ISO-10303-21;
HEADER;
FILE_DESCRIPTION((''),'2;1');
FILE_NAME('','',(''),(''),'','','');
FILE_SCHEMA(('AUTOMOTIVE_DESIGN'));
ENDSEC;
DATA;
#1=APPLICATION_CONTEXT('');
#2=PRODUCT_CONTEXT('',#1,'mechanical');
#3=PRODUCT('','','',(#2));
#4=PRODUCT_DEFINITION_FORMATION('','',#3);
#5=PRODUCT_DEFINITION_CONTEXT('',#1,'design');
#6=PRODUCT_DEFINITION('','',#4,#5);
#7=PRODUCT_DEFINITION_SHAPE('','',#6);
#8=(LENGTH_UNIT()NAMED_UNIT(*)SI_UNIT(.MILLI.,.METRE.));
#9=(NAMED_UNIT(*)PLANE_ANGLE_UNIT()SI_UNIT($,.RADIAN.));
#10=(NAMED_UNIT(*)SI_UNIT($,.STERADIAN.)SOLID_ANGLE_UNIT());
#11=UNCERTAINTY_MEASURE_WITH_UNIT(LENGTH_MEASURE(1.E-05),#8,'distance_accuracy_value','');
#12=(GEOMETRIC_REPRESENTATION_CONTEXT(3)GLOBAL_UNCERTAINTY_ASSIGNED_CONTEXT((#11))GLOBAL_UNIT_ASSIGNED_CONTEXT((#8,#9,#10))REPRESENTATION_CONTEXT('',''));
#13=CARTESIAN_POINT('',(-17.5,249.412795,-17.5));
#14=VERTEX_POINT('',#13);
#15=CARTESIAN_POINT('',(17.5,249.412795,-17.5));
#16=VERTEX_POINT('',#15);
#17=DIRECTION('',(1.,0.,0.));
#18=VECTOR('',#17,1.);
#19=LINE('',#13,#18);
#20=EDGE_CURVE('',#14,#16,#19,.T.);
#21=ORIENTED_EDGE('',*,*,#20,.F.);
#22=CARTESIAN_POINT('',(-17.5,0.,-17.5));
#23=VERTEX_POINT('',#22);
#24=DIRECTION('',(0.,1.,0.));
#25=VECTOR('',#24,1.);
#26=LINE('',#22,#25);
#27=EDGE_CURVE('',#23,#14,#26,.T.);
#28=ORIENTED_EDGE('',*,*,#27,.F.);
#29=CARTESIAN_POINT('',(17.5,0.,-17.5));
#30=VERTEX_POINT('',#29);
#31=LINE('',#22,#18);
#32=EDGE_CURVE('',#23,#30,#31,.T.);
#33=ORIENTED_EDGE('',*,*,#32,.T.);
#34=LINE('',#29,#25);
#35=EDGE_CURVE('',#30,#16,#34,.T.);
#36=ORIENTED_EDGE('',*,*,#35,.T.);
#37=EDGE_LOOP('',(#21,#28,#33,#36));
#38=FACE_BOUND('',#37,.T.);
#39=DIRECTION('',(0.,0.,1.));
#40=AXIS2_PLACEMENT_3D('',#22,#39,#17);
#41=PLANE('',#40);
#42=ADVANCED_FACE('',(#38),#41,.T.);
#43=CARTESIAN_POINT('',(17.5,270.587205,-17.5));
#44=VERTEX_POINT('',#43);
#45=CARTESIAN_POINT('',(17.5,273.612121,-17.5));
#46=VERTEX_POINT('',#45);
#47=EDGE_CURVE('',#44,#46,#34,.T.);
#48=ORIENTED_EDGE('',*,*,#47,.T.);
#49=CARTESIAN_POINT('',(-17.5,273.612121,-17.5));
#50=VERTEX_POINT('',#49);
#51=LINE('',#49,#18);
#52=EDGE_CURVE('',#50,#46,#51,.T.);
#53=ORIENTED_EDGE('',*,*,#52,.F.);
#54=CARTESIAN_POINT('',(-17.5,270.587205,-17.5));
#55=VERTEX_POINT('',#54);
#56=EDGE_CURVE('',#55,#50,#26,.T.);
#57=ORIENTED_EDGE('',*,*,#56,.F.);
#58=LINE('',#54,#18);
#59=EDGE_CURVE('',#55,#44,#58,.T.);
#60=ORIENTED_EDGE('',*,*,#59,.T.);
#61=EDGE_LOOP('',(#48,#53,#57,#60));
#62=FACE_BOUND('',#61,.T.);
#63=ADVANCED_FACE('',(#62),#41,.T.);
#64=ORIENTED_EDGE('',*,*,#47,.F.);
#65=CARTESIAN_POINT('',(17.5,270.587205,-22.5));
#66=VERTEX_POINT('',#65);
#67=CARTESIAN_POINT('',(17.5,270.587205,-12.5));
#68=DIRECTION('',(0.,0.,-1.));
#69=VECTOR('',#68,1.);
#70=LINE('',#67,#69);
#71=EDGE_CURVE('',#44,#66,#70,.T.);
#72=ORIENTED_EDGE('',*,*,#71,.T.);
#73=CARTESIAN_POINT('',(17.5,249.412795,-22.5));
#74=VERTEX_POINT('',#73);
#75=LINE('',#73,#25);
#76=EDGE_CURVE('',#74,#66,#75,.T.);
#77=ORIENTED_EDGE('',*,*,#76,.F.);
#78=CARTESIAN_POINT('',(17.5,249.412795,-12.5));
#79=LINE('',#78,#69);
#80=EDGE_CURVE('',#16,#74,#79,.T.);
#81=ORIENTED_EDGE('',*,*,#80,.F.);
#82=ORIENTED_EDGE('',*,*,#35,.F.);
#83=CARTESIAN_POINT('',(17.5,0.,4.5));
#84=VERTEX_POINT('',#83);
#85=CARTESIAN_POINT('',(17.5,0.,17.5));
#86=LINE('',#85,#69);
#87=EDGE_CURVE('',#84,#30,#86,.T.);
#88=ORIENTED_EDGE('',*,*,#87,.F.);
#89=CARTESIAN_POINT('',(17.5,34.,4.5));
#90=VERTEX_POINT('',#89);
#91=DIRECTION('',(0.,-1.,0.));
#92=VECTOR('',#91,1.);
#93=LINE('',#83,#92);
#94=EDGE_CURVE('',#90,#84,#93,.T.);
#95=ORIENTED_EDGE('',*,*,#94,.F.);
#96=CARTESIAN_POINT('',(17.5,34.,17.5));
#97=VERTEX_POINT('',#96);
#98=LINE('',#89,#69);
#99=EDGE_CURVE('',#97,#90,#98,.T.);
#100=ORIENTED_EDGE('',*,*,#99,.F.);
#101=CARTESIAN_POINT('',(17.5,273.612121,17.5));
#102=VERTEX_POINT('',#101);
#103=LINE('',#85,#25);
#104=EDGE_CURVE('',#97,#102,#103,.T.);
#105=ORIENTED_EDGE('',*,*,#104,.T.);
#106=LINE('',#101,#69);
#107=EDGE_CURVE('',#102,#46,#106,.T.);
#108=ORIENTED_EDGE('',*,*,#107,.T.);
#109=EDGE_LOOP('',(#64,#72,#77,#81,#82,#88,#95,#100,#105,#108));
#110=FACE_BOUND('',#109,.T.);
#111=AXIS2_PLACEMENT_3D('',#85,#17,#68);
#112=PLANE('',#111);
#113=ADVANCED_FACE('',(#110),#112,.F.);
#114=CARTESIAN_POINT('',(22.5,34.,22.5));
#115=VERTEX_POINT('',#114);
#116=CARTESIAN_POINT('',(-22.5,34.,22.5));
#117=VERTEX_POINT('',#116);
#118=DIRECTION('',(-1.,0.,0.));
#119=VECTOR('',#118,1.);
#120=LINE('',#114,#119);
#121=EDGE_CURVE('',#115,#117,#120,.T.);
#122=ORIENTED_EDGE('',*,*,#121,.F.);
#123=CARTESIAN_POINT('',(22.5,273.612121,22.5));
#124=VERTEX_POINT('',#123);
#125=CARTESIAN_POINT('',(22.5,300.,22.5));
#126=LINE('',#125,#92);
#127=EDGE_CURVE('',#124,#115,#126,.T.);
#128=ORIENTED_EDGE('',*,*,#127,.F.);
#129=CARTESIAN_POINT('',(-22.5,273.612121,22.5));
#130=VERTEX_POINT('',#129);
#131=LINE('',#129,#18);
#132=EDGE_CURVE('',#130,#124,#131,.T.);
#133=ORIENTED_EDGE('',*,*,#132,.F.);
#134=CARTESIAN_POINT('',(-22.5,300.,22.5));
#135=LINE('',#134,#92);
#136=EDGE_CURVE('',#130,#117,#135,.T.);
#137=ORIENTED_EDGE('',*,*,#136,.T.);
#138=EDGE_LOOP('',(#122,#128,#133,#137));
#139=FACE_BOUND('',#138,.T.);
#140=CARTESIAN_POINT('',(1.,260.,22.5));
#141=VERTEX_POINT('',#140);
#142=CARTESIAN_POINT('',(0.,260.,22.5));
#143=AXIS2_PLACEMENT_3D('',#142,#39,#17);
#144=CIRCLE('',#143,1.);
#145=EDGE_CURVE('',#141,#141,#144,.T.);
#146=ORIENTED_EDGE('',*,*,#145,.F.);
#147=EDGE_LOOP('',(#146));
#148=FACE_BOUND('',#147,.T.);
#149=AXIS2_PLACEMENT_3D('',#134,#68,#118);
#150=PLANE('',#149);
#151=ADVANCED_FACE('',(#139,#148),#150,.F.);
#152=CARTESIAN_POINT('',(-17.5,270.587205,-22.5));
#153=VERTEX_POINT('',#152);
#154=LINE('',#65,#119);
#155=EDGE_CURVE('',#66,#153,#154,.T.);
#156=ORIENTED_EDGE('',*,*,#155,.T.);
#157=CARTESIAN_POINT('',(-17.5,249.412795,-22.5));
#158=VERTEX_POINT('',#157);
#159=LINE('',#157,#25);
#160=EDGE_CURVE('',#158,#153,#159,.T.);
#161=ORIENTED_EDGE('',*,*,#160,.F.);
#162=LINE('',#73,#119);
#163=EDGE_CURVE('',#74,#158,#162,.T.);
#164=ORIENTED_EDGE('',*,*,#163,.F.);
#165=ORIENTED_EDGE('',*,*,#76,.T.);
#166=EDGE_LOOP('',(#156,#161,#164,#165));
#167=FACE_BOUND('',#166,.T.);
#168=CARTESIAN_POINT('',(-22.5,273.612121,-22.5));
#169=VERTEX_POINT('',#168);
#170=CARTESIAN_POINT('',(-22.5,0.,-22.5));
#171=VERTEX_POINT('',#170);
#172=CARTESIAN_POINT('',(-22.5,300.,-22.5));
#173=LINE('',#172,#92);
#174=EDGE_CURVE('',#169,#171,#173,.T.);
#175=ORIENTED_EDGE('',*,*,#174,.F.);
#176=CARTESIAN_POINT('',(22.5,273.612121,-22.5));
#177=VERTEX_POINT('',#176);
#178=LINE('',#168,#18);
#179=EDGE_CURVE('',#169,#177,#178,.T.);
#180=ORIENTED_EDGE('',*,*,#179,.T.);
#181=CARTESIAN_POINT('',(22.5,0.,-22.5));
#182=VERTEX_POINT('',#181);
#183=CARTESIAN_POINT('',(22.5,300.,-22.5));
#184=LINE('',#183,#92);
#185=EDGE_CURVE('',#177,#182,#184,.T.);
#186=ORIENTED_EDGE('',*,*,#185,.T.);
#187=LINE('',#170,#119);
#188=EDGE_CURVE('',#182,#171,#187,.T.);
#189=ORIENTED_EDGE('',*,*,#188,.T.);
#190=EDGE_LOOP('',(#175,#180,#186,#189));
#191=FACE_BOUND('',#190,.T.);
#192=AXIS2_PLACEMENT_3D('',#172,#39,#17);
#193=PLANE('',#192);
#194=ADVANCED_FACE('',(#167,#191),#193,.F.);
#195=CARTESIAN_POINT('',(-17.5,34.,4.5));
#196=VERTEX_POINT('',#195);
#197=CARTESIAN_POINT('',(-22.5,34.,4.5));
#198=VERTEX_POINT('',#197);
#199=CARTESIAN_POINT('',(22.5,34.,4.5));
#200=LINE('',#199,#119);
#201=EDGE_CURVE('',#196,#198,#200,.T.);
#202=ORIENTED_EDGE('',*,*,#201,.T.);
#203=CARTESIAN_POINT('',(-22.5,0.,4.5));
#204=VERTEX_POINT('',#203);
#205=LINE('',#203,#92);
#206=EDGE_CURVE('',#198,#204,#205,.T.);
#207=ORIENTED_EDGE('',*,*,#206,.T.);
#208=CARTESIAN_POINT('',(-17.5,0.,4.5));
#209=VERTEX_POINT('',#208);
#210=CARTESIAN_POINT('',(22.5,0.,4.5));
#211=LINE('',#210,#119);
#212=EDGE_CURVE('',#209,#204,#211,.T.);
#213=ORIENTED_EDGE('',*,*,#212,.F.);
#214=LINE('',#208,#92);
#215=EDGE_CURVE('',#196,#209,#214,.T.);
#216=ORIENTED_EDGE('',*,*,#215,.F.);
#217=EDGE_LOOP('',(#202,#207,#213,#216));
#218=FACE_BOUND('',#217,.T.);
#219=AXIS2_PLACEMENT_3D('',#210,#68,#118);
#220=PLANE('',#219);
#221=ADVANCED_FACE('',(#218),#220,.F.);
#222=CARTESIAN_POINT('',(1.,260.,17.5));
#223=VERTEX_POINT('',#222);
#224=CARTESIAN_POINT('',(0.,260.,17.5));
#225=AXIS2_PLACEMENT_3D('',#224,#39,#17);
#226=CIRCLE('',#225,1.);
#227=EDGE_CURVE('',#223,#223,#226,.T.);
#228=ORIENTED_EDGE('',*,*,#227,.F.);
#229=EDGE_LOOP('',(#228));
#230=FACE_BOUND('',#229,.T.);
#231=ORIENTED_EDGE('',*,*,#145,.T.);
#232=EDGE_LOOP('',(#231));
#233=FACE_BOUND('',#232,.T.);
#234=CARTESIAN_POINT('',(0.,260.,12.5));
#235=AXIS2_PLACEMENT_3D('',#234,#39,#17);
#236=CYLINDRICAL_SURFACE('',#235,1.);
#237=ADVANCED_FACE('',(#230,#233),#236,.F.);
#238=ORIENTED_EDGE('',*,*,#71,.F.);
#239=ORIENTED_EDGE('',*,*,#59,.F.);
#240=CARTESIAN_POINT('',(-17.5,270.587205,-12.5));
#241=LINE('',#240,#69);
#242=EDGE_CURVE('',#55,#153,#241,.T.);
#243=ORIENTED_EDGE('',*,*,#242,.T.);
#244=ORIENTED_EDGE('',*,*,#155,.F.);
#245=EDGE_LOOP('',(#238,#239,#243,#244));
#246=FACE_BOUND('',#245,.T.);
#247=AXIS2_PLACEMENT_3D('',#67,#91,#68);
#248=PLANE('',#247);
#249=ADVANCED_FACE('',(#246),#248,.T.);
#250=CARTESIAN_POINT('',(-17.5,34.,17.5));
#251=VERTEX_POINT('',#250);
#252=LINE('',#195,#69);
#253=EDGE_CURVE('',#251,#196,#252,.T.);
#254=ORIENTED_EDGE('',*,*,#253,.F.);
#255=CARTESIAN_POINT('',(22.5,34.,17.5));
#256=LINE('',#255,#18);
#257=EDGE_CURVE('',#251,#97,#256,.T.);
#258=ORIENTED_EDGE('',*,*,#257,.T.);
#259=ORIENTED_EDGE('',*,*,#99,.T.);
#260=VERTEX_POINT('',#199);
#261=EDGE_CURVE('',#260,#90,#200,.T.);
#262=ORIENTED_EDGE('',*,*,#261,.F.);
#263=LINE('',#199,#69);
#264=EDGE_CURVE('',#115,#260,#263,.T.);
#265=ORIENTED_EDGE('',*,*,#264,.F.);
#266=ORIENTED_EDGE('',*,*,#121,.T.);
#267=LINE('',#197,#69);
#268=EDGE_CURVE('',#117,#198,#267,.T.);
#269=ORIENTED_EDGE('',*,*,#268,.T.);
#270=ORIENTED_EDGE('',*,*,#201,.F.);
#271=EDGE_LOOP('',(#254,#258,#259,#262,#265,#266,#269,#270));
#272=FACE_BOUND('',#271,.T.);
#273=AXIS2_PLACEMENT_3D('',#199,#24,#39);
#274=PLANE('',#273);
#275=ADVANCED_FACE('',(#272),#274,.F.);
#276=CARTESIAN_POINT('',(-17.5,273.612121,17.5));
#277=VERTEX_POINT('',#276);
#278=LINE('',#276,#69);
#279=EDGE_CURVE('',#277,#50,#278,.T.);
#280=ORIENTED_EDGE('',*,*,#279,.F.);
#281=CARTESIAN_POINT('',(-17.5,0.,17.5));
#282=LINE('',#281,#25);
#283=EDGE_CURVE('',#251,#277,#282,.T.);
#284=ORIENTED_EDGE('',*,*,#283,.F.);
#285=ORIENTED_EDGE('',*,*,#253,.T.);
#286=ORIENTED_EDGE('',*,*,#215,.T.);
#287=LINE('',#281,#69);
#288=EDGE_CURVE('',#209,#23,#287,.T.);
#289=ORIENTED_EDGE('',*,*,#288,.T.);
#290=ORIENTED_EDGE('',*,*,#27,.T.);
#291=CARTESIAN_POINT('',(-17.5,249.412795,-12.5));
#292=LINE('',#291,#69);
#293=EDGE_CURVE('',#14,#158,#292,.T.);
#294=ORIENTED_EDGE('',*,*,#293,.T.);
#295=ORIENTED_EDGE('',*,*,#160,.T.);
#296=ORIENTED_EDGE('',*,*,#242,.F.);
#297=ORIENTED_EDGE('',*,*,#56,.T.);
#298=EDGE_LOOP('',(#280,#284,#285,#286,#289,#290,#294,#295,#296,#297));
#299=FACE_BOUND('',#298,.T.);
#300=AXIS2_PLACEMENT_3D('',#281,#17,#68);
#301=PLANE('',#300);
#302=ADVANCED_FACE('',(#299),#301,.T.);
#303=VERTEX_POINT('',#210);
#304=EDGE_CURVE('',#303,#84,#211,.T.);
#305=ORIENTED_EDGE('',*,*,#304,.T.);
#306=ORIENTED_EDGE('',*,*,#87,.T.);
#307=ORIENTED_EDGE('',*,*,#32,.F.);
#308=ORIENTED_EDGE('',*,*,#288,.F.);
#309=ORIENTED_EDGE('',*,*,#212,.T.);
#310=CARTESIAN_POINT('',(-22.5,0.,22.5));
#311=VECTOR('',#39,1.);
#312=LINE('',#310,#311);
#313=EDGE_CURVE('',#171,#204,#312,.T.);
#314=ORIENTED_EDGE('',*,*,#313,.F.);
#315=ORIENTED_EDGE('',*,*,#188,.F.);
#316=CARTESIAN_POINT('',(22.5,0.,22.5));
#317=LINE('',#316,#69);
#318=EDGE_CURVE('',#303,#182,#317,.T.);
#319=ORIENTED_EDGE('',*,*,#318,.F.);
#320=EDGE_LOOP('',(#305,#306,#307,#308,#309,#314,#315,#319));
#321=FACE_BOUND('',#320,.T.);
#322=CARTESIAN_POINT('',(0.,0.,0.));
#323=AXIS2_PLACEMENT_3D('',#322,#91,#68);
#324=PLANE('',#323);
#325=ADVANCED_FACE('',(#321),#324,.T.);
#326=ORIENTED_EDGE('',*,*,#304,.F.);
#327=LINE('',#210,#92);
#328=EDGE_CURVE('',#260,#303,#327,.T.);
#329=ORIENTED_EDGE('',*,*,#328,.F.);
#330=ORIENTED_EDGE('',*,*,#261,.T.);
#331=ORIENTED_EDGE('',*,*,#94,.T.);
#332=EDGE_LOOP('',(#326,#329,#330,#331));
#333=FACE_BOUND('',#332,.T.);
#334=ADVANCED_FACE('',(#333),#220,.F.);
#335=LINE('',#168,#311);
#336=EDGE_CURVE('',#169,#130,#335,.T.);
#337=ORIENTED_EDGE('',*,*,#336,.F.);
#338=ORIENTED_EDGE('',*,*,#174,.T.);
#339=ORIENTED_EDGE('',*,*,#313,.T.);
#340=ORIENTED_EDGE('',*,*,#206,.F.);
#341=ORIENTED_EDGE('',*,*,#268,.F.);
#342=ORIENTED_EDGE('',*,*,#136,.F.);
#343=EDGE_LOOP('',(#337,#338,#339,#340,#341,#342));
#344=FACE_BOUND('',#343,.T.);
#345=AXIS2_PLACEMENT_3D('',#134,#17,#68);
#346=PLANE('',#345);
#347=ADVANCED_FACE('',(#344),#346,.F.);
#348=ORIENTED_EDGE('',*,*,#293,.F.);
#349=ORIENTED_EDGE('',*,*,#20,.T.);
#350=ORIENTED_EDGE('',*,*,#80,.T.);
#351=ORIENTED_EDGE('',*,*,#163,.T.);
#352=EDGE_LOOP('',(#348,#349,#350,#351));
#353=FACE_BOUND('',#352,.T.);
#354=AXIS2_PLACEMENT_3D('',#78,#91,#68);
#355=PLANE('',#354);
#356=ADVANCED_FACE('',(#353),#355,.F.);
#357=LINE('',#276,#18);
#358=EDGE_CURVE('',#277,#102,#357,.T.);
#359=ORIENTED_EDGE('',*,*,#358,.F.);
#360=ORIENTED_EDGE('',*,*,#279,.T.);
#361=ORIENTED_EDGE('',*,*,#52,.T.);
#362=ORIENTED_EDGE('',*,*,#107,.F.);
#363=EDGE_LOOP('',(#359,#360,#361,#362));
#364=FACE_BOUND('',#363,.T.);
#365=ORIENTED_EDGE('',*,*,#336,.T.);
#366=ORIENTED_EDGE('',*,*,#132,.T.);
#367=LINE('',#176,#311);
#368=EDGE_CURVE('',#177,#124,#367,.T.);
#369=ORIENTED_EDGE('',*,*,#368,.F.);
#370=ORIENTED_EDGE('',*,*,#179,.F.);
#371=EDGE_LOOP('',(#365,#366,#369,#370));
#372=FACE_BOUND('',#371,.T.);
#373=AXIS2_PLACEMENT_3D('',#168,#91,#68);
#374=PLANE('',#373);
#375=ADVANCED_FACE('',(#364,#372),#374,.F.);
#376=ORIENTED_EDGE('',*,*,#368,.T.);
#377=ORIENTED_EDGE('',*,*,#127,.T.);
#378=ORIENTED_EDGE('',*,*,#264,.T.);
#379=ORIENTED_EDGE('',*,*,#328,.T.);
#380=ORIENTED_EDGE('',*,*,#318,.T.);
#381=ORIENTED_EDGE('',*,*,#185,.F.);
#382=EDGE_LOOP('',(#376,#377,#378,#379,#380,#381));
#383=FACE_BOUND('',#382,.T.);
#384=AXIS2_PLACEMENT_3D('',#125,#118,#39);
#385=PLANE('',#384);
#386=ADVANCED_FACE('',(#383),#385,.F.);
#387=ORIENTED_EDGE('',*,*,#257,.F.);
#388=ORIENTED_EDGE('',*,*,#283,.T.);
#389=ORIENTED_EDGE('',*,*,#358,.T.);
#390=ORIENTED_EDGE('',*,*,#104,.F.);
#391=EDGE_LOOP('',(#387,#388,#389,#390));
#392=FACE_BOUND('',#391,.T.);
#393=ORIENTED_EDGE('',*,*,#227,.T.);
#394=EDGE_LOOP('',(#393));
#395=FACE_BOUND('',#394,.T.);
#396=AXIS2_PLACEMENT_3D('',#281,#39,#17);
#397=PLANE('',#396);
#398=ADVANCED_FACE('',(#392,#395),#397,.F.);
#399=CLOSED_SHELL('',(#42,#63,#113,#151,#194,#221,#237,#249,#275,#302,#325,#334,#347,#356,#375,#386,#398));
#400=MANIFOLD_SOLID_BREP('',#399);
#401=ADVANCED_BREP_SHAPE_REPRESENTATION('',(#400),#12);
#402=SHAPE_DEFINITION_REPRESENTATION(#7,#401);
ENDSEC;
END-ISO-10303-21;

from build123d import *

# Parameters (mm, degrees)
CROQUIS1_W              = 45
CROQUIS1_H              = 45
SALIENTE_EXTRUIR1_DEPTH = 300
CROQUIS4_W              = 18
CROQUIS4_H              = 34
CORTAR_EXTRUIR2_DEPTH   = 46
CROQUIS8_W              = 35
CROQUIS8_H              = 35
CORTAR_EXTRUIR3_DEPTH   = 301
CROQUIS9_W              = 35
CROQUIS9_H              = 21.174410022
CORTAR_EXTRUIR4_DEPTH   = 10
CROQUIS10_R             = 1
CORTAR_EXTRUIR5_DEPTH   = 10
CROQUIS11_W             = 45
CROQUIS11_H             = 26.387879272
CORTAR_EXTRUIR6_DEPTH   = 46


with BuildPart() as part:
    # Croquis1 → Saliente-Extruir1 (new body)
    with BuildSketch(Plane(origin=(0, 0, 0), x_dir=(1, 0, 0), z_dir=(0, 1, 0))):
        Rectangle(CROQUIS1_W, CROQUIS1_H)
    extrude(amount=SALIENTE_EXTRUIR1_DEPTH)

    # Croquis4 → Cortar-Extruir2 (cut, through all)
    with BuildSketch(Plane.ZY.offset(22.5)):
        with Locations((13.5, 17)):
            Rectangle(CROQUIS4_W, CROQUIS4_H)
    extrude(amount=-CORTAR_EXTRUIR2_DEPTH, mode=Mode.SUBTRACT)

    # Croquis8 → Cortar-Extruir3 (cut, through all)
    with BuildSketch(Plane(origin=(0, 300, 0), x_dir=(1, 0, 0), z_dir=(0, 1, 0))):
        Rectangle(CROQUIS8_W, CROQUIS8_H)
    extrude(amount=-CORTAR_EXTRUIR3_DEPTH, mode=Mode.SUBTRACT)

    # Croquis9 → Cortar-Extruir4 (cut)
    with BuildSketch(Plane(origin=(0, 0, -22.5), x_dir=(-1, 0, 0), z_dir=(0, 0, -1))):
        with Locations((0, 260)):
            Rectangle(CROQUIS9_W, CROQUIS9_H)
    extrude(amount=-CORTAR_EXTRUIR4_DEPTH, mode=Mode.SUBTRACT)

    # Croquis10 → Cortar-Extruir5 (cut)
    with BuildSketch(Plane.XY.offset(22.5)):
        with Locations((0, 260)):
            Circle(CROQUIS10_R)
    extrude(amount=-CORTAR_EXTRUIR5_DEPTH, mode=Mode.SUBTRACT)

    # Croquis11 → Cortar-Extruir6 (cut, through all)
    with BuildSketch(Plane.XY.offset(22.5)):
        with Locations((0, 286.806060364)):
            Rectangle(CROQUIS11_W, CROQUIS11_H)
    extrude(amount=-CORTAR_EXTRUIR6_DEPTH, mode=Mode.SUBTRACT)


solid = part.part
